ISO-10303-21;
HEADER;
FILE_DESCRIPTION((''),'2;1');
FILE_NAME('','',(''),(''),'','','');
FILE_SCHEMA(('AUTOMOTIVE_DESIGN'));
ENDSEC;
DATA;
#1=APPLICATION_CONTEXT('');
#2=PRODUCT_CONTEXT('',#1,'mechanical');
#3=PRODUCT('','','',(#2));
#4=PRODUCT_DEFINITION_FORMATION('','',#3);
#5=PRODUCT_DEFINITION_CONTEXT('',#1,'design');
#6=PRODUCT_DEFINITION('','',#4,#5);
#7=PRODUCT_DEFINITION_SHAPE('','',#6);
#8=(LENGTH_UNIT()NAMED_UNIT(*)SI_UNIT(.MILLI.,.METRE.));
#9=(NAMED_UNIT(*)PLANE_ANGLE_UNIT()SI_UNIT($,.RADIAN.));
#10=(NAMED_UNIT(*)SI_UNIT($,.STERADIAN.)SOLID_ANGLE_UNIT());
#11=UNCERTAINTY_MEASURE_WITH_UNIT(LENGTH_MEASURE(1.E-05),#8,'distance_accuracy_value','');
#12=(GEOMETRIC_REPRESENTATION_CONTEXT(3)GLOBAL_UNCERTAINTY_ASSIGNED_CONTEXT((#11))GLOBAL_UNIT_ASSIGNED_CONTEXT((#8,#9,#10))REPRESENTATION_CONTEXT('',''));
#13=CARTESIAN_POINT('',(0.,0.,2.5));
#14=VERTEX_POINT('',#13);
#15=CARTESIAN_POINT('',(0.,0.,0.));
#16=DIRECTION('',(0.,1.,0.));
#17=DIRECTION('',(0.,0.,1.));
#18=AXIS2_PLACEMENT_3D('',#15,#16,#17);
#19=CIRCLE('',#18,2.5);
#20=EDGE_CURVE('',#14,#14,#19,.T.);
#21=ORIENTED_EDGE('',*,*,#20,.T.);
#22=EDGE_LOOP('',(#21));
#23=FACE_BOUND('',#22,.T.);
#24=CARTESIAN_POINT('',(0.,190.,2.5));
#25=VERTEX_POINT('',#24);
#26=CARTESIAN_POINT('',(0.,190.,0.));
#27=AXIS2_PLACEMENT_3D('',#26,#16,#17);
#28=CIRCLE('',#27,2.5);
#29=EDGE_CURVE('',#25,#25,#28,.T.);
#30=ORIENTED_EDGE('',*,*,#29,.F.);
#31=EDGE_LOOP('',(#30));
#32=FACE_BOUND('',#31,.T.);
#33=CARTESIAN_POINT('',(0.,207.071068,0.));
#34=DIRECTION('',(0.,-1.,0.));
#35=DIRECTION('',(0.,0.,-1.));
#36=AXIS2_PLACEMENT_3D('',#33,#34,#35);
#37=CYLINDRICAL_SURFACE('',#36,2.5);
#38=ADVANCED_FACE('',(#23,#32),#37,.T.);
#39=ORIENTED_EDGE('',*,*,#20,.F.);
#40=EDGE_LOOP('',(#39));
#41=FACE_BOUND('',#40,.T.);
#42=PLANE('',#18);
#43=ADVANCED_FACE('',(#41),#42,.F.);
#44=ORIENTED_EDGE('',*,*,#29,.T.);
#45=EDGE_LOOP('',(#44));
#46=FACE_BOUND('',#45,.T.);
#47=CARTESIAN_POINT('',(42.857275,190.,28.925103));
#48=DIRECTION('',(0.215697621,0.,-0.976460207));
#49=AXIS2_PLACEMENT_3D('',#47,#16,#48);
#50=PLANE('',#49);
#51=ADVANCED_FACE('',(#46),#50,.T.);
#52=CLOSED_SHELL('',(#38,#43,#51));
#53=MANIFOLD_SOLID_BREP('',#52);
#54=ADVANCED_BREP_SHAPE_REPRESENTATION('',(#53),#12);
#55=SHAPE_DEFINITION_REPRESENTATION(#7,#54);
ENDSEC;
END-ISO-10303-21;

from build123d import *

# Parameters (mm, degrees)
SKETCH1_R           = 2.5
BOSS_EXTRUDE1_DEPTH = 190


with BuildPart() as part:
    # Sketch1 → Boss-Extrude1 (new body)
    with BuildSketch(Plane(origin=(0, 0, 0), x_dir=(1, 0, 0), z_dir=(0, 1, 0))):
        with Locations(Location((0, 0, 0), (0, 0, 270))):
            Circle(SKETCH1_R)
    extrude(amount=BOSS_EXTRUDE1_DEPTH)


solid = part.part
